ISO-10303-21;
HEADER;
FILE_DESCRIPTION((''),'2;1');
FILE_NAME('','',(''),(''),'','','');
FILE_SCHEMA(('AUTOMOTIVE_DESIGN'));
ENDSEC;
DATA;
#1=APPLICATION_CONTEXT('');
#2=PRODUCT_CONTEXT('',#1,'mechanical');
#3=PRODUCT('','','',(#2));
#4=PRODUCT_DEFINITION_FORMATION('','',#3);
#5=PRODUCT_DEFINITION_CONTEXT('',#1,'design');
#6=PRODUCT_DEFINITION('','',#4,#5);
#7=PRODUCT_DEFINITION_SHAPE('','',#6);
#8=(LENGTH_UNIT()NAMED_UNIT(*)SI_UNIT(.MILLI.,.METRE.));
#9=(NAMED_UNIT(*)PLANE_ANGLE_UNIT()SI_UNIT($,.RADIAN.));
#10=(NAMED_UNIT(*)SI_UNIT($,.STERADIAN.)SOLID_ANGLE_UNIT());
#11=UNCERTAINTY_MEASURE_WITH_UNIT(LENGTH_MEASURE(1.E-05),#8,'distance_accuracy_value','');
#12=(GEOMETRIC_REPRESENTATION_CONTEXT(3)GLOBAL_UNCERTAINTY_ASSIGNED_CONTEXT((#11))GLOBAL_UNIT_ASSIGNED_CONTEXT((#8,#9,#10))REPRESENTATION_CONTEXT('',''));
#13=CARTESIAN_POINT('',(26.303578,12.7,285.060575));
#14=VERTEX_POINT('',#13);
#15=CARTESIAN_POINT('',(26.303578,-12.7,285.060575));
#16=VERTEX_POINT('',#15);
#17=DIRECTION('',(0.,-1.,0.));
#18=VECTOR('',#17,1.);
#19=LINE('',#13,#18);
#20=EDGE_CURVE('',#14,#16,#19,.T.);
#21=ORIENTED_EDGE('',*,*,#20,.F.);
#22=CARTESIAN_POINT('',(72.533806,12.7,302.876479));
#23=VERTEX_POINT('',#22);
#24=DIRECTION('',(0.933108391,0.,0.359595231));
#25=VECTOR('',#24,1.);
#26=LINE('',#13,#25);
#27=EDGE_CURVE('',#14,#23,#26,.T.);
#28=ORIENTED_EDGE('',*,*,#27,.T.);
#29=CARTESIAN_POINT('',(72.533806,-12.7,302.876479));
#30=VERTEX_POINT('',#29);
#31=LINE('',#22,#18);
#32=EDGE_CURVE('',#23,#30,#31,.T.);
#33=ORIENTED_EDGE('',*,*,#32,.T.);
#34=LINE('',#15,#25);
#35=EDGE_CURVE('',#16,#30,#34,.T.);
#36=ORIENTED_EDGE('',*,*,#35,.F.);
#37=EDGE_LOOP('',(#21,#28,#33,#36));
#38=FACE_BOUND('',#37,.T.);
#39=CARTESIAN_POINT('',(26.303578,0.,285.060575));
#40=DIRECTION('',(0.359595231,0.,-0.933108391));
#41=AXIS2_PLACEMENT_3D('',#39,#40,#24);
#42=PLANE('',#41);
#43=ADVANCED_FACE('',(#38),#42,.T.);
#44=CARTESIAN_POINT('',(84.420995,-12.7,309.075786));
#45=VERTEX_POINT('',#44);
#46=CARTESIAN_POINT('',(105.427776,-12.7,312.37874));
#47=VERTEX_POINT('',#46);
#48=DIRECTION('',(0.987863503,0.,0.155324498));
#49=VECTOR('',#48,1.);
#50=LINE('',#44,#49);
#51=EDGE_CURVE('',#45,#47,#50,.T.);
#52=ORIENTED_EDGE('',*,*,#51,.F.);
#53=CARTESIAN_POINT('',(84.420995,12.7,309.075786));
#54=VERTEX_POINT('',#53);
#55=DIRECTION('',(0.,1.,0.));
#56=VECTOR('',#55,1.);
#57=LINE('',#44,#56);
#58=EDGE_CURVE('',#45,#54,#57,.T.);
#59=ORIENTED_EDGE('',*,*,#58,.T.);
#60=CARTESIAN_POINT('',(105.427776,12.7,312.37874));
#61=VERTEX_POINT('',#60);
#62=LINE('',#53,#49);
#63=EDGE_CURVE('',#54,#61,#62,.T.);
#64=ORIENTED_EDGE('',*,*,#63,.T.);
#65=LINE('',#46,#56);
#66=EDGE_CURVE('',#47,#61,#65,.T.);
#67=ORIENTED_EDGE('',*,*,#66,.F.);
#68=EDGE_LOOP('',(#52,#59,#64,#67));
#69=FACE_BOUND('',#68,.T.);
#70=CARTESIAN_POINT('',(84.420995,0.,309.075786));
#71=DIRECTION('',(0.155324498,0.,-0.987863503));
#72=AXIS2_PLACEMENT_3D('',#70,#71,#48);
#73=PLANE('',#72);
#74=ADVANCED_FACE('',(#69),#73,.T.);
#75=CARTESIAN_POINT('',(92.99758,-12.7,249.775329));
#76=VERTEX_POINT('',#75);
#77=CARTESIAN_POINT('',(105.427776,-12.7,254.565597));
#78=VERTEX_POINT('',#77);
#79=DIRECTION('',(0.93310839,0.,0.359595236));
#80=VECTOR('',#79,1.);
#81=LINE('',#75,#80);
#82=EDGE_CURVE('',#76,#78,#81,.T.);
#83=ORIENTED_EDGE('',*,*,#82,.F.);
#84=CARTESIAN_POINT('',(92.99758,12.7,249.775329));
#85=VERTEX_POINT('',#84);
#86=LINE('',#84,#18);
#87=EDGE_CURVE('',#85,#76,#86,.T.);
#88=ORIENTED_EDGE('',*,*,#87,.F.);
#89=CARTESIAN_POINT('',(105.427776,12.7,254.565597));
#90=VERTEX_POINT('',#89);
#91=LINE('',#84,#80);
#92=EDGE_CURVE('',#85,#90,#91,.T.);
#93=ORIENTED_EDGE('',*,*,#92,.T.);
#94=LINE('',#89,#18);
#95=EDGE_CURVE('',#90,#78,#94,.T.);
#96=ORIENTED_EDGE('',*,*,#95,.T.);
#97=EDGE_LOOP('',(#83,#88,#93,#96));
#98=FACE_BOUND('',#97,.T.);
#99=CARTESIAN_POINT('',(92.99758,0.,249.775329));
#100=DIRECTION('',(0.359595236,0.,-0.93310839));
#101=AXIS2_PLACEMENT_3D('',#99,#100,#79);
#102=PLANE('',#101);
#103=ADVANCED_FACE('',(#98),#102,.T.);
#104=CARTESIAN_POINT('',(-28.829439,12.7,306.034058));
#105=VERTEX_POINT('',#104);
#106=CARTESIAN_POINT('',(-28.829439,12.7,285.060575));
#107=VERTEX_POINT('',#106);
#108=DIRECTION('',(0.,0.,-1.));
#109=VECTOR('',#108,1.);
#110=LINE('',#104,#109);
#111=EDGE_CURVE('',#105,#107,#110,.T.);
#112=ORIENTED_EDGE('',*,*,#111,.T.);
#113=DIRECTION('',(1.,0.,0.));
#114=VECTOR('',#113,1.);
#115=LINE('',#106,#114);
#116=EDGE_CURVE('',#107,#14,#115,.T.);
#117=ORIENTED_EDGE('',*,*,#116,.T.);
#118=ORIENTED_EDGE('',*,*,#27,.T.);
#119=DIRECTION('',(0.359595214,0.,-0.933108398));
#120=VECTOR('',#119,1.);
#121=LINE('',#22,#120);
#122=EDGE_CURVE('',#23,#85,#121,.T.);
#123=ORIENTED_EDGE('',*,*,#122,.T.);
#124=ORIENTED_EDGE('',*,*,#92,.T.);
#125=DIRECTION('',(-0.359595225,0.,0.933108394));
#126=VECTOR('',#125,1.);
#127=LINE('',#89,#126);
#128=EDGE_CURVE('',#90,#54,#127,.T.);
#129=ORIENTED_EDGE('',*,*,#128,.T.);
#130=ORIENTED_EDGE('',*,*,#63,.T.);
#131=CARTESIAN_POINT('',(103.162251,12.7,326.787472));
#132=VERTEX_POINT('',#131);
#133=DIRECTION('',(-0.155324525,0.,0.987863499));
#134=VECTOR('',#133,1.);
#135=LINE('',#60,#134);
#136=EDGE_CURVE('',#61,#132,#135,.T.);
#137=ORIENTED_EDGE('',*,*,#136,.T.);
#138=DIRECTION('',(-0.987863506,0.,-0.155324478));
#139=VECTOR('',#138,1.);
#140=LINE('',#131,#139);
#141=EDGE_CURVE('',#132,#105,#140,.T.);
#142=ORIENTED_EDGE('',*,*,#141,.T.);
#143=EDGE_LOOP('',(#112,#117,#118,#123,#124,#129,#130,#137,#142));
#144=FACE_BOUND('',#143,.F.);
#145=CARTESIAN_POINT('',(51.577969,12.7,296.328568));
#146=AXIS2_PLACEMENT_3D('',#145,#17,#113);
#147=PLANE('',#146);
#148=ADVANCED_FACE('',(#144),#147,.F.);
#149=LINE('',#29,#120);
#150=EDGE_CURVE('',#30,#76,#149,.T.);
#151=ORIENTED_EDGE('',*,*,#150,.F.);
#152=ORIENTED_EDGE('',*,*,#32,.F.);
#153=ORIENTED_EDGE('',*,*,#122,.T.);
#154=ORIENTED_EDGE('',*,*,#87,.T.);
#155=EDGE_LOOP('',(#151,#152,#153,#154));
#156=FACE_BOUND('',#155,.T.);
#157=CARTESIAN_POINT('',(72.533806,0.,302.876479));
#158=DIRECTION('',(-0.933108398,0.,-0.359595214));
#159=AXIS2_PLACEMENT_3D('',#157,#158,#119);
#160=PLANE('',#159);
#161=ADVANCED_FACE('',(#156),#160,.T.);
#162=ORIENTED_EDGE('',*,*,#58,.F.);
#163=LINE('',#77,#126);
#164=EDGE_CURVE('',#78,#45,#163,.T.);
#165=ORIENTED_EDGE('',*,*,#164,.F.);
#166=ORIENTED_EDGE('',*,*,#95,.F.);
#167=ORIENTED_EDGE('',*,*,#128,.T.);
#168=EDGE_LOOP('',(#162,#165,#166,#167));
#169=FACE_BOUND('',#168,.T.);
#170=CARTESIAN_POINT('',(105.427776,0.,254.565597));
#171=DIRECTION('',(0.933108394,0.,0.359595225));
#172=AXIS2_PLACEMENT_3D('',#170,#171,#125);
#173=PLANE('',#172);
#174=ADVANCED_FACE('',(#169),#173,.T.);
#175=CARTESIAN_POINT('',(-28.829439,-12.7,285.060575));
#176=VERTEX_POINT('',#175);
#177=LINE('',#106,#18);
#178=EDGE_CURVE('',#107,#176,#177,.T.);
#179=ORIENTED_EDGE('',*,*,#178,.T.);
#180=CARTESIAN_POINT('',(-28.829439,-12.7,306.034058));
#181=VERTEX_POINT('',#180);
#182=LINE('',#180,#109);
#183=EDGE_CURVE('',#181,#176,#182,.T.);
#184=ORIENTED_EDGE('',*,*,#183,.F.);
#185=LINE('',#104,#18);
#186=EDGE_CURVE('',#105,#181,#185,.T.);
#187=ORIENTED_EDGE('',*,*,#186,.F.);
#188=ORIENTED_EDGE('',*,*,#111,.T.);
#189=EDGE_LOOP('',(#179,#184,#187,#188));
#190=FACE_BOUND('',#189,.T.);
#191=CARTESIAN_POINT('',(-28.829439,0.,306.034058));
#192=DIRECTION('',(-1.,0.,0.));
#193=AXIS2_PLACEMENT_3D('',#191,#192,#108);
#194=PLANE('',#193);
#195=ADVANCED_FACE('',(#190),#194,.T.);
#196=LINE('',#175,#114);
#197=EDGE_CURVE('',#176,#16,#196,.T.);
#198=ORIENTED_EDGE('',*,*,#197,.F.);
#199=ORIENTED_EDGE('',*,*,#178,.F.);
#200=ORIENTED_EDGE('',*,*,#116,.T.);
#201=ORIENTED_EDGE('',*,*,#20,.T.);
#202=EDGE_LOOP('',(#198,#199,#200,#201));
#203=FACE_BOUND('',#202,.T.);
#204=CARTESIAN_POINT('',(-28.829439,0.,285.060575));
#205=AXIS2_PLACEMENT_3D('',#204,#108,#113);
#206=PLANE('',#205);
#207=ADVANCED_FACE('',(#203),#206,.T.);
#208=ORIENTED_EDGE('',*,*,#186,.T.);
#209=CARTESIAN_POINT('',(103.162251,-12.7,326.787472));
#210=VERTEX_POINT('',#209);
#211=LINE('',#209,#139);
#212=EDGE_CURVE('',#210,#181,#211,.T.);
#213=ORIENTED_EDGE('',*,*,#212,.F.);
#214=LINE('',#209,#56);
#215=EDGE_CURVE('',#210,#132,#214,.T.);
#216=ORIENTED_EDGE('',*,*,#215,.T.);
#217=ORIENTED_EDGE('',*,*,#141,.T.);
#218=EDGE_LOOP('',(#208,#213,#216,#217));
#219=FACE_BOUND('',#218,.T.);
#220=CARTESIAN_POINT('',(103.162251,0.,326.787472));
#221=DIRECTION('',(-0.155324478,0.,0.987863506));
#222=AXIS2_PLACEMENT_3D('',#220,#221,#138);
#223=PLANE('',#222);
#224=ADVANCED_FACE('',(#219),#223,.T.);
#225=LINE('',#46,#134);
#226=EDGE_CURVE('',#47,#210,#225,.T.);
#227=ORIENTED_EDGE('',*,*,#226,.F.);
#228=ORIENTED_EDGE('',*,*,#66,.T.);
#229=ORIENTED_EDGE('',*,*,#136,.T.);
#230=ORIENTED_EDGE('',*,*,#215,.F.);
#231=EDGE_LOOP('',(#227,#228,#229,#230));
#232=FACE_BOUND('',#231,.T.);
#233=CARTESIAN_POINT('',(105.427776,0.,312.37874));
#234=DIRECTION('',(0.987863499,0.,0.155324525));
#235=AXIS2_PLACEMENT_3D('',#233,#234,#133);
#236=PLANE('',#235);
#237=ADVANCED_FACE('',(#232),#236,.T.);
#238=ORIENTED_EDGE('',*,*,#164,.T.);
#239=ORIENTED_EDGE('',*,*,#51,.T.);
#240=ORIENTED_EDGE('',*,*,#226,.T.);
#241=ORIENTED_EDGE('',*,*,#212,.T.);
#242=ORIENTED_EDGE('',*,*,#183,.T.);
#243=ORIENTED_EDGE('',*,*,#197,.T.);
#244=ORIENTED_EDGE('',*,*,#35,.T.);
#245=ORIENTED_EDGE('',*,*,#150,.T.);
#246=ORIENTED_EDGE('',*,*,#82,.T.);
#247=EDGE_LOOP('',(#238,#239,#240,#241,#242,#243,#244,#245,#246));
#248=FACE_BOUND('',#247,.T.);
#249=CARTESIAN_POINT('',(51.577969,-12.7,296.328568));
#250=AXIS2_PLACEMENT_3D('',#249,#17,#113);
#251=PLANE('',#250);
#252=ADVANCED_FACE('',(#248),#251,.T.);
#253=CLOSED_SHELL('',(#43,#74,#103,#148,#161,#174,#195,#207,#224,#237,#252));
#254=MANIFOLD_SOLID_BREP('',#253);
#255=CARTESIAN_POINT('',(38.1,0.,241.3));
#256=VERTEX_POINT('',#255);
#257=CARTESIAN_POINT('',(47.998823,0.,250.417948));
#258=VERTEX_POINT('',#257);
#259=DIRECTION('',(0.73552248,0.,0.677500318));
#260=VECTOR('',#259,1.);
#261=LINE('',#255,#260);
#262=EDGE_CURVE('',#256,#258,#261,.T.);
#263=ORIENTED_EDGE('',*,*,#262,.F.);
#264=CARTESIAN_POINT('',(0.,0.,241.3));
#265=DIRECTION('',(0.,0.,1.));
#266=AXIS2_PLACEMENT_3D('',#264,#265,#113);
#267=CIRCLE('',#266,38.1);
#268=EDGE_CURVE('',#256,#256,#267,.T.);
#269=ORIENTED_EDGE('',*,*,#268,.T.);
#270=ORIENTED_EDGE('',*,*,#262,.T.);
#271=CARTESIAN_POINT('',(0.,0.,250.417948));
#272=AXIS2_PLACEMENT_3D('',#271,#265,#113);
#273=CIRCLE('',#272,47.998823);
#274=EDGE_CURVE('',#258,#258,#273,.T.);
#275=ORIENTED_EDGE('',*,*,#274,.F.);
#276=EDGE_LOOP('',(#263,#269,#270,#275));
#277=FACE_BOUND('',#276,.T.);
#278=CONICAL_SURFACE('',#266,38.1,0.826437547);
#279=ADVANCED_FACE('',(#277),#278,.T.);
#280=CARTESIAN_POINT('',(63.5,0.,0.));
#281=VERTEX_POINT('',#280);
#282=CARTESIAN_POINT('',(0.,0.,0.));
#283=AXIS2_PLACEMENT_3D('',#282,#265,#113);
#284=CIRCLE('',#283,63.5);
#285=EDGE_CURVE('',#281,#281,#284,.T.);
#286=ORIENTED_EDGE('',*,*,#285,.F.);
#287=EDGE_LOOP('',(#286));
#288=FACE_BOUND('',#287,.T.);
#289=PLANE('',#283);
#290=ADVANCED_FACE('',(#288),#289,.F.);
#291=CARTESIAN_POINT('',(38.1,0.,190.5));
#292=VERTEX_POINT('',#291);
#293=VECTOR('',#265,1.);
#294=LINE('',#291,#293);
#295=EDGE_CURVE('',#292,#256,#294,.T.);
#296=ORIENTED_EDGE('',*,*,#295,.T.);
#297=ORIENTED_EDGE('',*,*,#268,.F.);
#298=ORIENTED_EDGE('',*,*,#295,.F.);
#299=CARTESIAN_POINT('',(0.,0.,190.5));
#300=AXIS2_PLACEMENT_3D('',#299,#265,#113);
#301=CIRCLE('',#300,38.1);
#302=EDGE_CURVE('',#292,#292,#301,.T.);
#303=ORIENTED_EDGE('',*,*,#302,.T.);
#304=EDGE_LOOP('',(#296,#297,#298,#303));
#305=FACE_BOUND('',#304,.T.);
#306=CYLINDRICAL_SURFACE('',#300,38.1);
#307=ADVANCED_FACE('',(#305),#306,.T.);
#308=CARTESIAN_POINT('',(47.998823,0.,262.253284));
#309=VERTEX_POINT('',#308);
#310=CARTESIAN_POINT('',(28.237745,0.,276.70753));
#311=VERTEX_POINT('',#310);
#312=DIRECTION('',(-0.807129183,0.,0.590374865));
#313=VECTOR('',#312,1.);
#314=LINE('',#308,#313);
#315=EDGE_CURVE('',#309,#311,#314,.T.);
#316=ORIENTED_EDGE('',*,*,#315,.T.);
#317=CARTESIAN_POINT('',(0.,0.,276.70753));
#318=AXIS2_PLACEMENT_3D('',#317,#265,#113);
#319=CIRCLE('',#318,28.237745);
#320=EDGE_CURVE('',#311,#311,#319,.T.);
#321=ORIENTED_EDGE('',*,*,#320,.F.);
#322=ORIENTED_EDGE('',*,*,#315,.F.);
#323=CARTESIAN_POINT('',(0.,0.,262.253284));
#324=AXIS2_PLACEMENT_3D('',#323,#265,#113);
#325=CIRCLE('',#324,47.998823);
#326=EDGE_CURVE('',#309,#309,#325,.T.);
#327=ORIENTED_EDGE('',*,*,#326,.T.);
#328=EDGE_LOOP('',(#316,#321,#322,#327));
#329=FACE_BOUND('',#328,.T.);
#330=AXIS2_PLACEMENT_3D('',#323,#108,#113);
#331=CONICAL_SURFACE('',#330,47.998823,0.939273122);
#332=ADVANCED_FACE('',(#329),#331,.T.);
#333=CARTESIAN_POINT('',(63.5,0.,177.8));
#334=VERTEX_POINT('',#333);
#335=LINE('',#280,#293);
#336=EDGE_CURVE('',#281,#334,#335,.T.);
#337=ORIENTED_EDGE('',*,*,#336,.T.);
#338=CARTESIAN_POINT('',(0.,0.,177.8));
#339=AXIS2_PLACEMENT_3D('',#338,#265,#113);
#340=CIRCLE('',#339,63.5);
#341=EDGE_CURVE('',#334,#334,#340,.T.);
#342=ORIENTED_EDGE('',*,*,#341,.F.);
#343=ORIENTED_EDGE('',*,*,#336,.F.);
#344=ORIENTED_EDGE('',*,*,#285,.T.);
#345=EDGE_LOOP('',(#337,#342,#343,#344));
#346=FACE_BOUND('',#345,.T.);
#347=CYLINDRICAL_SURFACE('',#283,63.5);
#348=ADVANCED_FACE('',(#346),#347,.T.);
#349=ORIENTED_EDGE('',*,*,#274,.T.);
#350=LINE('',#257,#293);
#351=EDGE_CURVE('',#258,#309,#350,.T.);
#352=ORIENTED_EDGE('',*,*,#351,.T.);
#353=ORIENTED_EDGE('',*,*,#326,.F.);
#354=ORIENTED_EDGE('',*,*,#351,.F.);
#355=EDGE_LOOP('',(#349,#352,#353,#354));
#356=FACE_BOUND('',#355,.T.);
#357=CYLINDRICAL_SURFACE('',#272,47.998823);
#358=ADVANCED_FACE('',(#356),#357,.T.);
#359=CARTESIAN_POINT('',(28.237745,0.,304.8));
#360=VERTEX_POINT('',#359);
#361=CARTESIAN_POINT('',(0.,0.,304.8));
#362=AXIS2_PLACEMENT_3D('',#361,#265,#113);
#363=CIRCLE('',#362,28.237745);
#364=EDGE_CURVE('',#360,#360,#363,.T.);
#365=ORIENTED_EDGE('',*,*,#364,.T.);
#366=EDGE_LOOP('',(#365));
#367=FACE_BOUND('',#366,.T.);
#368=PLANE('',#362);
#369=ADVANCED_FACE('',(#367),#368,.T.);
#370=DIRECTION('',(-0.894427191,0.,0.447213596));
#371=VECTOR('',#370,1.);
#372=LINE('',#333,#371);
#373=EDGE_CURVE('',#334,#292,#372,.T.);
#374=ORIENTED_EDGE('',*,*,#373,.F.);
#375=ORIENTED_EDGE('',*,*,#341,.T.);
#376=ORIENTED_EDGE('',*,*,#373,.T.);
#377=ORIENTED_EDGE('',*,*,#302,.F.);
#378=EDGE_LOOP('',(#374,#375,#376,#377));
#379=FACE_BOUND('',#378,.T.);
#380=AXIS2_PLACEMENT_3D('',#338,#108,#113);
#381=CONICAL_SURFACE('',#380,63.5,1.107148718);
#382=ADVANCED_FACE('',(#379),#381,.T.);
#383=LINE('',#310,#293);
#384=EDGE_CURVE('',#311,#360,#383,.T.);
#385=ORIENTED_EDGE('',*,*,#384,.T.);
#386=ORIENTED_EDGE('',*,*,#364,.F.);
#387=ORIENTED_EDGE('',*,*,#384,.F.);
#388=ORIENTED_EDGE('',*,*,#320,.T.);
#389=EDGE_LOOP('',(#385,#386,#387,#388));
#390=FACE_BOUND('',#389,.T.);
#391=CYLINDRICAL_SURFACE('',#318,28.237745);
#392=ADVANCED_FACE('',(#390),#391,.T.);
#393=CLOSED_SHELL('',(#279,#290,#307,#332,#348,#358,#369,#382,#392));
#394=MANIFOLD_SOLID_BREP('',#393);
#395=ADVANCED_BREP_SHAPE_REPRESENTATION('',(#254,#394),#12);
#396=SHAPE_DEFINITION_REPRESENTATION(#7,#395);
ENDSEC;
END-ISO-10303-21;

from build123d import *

# Parameters (mm, degrees)
F3_DEPTH      = 12.7
F3_DEPTH_BACK = 12.7


with BuildPart() as f1:
    # F0 (on Front) → F1 (revolve)
    with BuildSketch(Plane.XZ):
        Polygon((0, 304.8), (0, 0), (63.5, 0), (63.5, 177.8), (38.1, 190.5), (38.1, 241.3), (47.998823, 250.417948), (47.998823, 262.253284), (28.237745, 276.70753), (28.237745, 304.8), align=None)
    revolve(axis=Axis((0, 0, 152.4), (0, 0, 1)))


with BuildPart() as f3:
    # F2 (on Front) → F3 (new body, two sides)
    with BuildSketch(Plane.XZ) as f3_sk:
        Polygon((103.162251, 326.787472), (-28.829439, 306.034058), (-28.829439, 285.060575), (26.303578, 285.060575), (72.533806, 302.876479), (92.99758, 249.775329), (105.427776, 254.565597), (84.420995, 309.075786), (105.427776, 312.37874), align=None)
    extrude(amount=F3_DEPTH)
    extrude(f3_sk.sketch, amount=-F3_DEPTH_BACK)


solid = Compound([f1.part, f3.part])
